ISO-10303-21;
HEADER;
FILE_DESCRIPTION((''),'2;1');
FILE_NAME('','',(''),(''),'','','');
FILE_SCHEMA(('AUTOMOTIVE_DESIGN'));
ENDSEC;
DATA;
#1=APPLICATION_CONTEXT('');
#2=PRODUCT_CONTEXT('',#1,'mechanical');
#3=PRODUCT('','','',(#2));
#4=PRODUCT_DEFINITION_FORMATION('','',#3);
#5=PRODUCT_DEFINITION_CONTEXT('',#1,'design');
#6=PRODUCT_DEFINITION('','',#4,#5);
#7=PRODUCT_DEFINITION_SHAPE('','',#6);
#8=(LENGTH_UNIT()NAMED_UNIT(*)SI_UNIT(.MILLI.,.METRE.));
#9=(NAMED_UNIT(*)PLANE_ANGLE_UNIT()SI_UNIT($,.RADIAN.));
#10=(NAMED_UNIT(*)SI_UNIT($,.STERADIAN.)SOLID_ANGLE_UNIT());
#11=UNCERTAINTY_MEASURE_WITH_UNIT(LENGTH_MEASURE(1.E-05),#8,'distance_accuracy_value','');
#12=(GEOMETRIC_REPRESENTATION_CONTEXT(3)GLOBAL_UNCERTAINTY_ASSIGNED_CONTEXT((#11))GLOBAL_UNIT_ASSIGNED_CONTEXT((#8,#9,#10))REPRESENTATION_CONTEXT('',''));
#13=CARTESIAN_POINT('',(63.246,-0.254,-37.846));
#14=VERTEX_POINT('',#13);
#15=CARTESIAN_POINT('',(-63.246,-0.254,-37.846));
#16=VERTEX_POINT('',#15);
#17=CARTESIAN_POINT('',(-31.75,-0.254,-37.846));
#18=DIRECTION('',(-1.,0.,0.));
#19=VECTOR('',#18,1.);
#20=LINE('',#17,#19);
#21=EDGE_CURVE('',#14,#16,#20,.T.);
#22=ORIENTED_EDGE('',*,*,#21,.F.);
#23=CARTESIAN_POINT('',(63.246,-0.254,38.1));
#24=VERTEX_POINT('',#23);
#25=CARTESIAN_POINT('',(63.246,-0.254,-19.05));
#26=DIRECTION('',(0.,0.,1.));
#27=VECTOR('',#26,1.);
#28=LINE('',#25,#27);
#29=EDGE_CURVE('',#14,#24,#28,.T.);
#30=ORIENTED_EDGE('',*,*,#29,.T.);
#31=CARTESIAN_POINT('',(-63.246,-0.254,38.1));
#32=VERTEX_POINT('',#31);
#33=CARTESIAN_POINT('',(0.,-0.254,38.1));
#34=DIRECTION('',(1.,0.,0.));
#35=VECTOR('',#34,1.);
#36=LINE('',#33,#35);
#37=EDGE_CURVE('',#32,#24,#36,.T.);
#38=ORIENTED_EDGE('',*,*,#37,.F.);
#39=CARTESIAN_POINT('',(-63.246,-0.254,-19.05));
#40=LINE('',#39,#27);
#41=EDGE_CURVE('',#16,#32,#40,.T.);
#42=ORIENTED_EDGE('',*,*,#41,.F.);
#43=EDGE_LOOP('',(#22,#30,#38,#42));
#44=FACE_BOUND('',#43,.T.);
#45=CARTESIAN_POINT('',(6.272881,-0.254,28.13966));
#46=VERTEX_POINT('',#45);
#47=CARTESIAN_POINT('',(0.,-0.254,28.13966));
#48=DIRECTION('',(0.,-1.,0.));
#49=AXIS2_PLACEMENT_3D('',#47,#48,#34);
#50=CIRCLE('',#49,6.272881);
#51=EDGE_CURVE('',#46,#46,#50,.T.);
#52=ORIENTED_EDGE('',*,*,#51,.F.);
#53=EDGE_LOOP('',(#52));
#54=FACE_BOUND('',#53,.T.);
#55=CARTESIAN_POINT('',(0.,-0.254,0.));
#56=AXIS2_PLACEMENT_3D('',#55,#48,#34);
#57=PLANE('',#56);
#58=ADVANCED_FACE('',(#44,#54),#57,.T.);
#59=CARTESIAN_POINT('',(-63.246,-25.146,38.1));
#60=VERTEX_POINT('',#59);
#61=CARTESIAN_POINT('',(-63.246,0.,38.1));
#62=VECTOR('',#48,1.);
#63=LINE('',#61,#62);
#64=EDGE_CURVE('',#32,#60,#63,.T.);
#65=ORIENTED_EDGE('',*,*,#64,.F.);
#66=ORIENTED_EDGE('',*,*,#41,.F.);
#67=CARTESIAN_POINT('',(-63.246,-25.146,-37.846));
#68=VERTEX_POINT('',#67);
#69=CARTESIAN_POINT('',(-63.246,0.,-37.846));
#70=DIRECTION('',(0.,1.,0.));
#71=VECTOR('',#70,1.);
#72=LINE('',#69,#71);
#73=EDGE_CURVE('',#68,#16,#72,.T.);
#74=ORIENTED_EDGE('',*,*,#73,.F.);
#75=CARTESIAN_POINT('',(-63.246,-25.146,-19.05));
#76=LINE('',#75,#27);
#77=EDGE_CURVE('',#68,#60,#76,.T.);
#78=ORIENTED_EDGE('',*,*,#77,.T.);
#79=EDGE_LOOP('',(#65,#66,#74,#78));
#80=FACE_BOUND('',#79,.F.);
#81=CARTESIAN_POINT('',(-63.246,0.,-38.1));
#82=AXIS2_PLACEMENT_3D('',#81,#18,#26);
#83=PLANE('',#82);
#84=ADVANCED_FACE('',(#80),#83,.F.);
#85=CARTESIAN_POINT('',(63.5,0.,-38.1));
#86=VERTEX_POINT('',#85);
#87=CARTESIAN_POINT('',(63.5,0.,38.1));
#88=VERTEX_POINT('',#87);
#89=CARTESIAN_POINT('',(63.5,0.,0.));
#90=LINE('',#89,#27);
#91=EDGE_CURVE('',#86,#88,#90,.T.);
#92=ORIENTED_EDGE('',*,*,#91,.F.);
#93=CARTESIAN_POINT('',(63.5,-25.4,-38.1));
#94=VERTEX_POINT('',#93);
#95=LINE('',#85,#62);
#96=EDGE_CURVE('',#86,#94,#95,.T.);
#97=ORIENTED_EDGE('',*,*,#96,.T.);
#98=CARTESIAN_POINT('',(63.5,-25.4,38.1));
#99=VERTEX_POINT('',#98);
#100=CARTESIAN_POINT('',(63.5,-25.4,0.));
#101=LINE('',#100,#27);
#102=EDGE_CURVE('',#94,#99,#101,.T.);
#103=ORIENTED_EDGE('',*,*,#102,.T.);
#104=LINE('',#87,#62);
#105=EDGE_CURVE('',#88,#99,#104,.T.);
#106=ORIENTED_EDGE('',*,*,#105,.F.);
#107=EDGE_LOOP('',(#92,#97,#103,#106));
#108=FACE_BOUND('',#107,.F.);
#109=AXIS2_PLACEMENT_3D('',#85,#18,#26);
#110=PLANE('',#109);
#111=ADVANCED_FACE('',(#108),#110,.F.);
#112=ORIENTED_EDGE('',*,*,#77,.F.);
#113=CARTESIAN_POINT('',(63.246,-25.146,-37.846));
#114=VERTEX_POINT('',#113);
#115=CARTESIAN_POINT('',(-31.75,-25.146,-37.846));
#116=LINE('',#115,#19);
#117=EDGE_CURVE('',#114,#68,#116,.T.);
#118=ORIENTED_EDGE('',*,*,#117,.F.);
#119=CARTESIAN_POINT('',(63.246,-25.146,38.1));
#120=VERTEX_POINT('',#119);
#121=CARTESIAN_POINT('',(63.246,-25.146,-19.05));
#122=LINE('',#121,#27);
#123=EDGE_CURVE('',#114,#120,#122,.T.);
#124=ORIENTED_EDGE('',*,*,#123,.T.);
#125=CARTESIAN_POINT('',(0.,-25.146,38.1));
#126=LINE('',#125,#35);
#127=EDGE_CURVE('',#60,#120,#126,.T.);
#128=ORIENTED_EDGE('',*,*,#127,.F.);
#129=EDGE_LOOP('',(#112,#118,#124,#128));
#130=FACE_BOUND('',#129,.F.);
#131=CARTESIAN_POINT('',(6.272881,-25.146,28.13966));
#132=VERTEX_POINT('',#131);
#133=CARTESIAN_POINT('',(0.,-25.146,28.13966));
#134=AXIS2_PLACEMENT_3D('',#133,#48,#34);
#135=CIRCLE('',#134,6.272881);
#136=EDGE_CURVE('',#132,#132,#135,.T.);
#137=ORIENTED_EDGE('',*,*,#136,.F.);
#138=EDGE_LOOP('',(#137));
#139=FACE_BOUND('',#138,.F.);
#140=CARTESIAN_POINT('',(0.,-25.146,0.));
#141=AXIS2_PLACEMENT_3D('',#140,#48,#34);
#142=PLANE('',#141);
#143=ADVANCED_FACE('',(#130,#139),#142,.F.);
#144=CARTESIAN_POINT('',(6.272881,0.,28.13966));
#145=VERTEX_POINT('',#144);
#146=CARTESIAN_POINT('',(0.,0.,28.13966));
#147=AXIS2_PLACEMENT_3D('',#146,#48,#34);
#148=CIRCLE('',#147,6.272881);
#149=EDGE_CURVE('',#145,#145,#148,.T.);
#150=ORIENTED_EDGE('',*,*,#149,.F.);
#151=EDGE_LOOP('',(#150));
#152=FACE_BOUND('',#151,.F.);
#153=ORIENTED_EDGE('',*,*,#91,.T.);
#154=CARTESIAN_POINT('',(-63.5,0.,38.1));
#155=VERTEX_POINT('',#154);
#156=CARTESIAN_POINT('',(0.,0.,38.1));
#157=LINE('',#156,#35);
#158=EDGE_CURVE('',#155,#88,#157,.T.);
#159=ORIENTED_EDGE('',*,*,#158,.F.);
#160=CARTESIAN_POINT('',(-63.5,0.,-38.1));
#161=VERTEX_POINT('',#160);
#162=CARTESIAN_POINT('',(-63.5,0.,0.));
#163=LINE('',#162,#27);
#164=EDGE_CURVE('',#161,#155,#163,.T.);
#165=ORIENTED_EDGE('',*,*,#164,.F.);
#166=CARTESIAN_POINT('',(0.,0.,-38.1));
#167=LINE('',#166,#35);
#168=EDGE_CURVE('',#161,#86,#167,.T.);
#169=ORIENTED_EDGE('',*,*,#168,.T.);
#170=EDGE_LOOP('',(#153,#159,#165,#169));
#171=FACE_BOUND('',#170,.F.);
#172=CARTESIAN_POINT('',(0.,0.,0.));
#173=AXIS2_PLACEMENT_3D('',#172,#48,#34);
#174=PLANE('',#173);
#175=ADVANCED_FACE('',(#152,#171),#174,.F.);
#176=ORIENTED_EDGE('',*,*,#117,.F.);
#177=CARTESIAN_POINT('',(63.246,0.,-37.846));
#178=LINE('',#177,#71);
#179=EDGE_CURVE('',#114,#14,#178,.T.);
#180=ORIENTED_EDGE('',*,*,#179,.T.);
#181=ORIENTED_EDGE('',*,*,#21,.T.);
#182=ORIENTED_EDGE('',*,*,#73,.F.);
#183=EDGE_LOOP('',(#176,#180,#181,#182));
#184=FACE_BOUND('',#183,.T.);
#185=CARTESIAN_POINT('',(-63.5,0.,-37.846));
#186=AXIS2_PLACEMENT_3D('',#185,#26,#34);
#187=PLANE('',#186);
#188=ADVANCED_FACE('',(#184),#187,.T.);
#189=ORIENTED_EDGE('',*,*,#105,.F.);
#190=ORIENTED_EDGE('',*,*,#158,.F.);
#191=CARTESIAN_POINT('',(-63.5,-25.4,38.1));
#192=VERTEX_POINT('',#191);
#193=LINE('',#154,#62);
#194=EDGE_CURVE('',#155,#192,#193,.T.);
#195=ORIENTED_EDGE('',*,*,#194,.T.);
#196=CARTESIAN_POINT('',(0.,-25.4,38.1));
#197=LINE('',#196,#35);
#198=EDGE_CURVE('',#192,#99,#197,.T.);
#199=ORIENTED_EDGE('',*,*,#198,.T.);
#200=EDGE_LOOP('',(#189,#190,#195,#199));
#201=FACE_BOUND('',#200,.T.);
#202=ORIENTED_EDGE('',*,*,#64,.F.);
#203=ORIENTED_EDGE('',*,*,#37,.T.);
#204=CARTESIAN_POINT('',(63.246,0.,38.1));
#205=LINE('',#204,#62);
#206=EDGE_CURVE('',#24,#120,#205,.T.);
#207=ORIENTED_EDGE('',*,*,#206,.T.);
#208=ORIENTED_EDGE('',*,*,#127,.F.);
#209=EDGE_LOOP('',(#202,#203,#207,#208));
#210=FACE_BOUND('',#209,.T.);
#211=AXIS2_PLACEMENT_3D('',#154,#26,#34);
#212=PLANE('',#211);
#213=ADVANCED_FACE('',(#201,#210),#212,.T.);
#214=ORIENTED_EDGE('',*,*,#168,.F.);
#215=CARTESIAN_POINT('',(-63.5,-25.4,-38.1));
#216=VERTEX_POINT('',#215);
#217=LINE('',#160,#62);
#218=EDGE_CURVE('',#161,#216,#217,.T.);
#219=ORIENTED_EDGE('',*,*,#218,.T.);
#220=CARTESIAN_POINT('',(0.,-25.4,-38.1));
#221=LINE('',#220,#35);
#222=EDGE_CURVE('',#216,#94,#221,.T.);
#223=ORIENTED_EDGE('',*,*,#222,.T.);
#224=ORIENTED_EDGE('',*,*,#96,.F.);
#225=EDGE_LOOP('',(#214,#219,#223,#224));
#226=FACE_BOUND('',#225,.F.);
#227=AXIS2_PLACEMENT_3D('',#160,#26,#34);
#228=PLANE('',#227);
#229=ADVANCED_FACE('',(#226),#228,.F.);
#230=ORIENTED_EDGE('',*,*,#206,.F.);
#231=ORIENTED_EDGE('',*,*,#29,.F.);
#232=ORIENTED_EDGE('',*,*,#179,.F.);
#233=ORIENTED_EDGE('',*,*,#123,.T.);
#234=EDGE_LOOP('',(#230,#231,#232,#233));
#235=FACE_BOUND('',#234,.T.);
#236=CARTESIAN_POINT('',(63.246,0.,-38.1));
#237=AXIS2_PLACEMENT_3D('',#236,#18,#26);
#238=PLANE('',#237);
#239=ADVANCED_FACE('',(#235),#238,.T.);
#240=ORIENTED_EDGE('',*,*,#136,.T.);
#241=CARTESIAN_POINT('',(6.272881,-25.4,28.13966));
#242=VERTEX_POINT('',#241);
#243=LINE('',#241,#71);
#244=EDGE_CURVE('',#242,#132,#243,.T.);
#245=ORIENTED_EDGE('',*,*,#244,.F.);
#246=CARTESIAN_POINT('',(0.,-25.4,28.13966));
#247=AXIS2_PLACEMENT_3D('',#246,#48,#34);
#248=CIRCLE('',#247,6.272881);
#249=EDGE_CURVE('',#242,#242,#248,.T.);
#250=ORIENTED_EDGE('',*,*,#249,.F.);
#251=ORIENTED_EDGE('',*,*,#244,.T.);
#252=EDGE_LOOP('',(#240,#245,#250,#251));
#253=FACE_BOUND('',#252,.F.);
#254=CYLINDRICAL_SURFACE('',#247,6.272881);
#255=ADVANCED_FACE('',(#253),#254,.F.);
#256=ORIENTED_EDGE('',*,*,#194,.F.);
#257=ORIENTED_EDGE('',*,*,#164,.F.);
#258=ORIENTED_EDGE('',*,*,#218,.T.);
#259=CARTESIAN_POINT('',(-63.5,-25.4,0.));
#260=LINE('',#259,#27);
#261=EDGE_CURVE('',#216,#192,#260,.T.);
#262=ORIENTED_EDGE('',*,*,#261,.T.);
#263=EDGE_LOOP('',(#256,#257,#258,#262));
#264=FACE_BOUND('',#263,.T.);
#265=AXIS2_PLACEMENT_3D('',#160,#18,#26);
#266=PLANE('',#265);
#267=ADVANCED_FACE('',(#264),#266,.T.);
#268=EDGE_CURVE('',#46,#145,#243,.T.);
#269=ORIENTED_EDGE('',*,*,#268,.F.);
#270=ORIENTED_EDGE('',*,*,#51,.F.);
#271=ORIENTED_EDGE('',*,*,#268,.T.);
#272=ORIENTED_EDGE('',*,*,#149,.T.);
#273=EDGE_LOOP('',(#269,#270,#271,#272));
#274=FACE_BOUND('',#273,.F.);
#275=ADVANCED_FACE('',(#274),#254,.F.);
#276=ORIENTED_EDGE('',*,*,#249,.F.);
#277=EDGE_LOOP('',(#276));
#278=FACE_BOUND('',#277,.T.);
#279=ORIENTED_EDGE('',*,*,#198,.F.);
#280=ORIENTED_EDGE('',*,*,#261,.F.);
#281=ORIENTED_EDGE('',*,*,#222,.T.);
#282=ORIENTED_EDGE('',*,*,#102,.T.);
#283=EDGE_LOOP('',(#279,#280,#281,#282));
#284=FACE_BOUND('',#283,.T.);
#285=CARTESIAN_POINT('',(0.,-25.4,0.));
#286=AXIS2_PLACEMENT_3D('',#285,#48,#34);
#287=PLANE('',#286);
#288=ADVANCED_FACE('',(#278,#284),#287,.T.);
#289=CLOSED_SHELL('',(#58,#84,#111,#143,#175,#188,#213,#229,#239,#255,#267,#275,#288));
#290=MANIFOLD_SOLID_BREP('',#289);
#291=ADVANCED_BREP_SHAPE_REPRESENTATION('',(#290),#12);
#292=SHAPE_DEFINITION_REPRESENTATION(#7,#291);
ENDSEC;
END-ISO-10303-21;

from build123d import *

# Parameters (mm, degrees)
F0_W     = 127
F0_H     = 76.2
F1_DEPTH = 25.4
F2_T     = -0.254
F3_R     = 6.272881
F4_DEPTH = 50.8


with BuildPart() as f1:
    # F0 (on Front) → F1 (new body)
    with BuildSketch(Plane.XZ):
        Rectangle(F0_W, F0_H)
    extrude(amount=F1_DEPTH)

    # F2
    f2_openings = [f1.faces().sort_by_distance(p)[0] for p in [
        (0, -12.7, 38.1),
    ]]
    offset(amount=F2_T, openings=f2_openings)

    # F3 (on face) → F4 (cut)
    with BuildSketch(Plane.XZ.offset(25.4)):
        with Locations((0, 28.13966)):
            Circle(F3_R)
    extrude(amount=-F4_DEPTH, mode=Mode.SUBTRACT)


solid = f1.part
